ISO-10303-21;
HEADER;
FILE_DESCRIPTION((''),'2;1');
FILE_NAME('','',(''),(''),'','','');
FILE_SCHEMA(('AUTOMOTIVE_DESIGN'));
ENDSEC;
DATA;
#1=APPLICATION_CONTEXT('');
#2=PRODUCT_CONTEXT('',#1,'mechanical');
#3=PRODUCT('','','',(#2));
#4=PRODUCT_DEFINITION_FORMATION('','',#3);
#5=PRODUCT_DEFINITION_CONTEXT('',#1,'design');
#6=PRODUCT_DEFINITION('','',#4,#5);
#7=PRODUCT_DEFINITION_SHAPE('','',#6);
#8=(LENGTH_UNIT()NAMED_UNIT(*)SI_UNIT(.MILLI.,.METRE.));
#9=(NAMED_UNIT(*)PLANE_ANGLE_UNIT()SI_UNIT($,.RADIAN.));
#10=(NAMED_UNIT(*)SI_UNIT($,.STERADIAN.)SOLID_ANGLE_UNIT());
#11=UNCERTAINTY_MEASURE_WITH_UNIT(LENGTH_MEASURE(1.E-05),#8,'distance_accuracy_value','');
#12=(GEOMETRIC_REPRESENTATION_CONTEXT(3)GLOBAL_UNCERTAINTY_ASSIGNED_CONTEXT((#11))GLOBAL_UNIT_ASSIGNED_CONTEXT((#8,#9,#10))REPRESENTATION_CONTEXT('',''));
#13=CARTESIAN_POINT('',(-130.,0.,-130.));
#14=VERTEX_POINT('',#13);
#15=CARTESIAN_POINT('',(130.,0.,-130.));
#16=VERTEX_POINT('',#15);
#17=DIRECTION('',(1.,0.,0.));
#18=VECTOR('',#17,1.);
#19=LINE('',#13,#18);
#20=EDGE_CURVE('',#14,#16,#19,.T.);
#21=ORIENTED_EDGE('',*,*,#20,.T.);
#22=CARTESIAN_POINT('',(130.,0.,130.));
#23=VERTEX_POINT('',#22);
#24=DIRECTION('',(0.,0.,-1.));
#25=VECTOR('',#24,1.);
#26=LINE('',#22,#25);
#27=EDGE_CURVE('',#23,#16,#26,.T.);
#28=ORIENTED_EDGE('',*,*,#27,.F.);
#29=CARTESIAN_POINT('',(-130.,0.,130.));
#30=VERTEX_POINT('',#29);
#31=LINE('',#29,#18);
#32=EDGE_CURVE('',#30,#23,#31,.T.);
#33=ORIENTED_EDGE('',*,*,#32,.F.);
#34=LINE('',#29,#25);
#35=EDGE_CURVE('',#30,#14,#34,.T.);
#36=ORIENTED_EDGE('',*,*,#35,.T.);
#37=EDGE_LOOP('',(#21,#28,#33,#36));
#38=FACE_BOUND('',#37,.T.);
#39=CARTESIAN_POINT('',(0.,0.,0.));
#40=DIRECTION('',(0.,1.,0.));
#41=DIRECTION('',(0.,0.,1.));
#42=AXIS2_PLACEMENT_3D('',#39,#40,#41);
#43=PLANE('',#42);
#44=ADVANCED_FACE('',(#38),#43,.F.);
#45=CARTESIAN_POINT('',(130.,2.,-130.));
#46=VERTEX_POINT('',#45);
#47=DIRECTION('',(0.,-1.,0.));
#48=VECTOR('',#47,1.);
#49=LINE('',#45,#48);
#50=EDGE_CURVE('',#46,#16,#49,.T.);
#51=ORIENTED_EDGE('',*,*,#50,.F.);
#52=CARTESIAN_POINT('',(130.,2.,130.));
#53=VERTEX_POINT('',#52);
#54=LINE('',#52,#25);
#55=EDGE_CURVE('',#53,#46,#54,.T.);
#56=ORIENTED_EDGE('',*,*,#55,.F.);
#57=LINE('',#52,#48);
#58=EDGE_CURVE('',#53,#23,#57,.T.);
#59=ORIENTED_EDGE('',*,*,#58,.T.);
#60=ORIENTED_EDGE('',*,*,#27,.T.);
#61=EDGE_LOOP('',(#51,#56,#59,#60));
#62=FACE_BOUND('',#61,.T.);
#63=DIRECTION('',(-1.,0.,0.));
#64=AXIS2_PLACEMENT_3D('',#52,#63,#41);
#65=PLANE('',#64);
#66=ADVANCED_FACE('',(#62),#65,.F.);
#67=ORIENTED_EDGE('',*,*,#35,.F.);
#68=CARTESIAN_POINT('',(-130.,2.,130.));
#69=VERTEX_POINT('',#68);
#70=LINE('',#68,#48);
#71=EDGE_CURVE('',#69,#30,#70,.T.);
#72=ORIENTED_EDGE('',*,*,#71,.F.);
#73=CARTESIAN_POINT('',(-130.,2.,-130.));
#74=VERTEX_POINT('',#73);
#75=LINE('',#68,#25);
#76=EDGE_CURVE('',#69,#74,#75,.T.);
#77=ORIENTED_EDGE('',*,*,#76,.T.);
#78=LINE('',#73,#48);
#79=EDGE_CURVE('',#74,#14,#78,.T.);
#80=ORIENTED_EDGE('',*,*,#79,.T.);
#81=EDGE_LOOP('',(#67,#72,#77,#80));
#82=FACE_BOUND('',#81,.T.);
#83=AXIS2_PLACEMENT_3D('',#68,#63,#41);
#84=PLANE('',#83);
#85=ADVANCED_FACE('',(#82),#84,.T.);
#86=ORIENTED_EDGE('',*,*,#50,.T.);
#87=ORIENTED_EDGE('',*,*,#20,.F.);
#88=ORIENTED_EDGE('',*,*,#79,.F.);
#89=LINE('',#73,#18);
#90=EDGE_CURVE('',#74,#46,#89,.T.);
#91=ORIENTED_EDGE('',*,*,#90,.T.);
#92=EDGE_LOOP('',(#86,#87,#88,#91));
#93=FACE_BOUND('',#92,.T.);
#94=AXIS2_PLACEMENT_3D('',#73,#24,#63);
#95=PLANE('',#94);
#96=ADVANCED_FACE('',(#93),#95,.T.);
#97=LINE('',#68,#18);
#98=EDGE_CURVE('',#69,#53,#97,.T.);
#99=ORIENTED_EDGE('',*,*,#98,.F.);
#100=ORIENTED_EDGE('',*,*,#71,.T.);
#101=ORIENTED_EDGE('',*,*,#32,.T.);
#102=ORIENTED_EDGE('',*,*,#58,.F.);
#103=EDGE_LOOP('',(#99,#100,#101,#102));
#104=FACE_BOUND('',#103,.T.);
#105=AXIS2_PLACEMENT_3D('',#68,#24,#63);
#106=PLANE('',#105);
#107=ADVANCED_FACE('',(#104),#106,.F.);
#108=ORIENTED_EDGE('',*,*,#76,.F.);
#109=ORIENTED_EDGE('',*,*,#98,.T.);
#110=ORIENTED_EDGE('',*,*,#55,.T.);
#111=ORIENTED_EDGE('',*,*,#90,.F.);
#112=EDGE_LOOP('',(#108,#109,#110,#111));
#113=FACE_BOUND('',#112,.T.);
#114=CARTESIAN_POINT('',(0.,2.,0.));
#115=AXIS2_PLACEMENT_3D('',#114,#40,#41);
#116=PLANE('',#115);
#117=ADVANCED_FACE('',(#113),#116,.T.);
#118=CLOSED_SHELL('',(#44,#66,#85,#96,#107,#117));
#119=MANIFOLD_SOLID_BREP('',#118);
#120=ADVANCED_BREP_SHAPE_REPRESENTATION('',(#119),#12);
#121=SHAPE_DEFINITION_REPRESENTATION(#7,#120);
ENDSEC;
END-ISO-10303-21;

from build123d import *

# Parameters (mm, degrees)
SKETCH_1_W        = 260
SKETCH_1_H        = 260
EXTRUDE_278_DEPTH = 2


with BuildPart() as part:
    # 草图1 → Extrude 278 (new body)
    with BuildSketch(Plane(origin=(0, 0, 0), x_dir=(1, 0, 0), z_dir=(0, 1, 0))):
        Rectangle(SKETCH_1_W, SKETCH_1_H)
    extrude(amount=EXTRUDE_278_DEPTH)


solid = part.part
